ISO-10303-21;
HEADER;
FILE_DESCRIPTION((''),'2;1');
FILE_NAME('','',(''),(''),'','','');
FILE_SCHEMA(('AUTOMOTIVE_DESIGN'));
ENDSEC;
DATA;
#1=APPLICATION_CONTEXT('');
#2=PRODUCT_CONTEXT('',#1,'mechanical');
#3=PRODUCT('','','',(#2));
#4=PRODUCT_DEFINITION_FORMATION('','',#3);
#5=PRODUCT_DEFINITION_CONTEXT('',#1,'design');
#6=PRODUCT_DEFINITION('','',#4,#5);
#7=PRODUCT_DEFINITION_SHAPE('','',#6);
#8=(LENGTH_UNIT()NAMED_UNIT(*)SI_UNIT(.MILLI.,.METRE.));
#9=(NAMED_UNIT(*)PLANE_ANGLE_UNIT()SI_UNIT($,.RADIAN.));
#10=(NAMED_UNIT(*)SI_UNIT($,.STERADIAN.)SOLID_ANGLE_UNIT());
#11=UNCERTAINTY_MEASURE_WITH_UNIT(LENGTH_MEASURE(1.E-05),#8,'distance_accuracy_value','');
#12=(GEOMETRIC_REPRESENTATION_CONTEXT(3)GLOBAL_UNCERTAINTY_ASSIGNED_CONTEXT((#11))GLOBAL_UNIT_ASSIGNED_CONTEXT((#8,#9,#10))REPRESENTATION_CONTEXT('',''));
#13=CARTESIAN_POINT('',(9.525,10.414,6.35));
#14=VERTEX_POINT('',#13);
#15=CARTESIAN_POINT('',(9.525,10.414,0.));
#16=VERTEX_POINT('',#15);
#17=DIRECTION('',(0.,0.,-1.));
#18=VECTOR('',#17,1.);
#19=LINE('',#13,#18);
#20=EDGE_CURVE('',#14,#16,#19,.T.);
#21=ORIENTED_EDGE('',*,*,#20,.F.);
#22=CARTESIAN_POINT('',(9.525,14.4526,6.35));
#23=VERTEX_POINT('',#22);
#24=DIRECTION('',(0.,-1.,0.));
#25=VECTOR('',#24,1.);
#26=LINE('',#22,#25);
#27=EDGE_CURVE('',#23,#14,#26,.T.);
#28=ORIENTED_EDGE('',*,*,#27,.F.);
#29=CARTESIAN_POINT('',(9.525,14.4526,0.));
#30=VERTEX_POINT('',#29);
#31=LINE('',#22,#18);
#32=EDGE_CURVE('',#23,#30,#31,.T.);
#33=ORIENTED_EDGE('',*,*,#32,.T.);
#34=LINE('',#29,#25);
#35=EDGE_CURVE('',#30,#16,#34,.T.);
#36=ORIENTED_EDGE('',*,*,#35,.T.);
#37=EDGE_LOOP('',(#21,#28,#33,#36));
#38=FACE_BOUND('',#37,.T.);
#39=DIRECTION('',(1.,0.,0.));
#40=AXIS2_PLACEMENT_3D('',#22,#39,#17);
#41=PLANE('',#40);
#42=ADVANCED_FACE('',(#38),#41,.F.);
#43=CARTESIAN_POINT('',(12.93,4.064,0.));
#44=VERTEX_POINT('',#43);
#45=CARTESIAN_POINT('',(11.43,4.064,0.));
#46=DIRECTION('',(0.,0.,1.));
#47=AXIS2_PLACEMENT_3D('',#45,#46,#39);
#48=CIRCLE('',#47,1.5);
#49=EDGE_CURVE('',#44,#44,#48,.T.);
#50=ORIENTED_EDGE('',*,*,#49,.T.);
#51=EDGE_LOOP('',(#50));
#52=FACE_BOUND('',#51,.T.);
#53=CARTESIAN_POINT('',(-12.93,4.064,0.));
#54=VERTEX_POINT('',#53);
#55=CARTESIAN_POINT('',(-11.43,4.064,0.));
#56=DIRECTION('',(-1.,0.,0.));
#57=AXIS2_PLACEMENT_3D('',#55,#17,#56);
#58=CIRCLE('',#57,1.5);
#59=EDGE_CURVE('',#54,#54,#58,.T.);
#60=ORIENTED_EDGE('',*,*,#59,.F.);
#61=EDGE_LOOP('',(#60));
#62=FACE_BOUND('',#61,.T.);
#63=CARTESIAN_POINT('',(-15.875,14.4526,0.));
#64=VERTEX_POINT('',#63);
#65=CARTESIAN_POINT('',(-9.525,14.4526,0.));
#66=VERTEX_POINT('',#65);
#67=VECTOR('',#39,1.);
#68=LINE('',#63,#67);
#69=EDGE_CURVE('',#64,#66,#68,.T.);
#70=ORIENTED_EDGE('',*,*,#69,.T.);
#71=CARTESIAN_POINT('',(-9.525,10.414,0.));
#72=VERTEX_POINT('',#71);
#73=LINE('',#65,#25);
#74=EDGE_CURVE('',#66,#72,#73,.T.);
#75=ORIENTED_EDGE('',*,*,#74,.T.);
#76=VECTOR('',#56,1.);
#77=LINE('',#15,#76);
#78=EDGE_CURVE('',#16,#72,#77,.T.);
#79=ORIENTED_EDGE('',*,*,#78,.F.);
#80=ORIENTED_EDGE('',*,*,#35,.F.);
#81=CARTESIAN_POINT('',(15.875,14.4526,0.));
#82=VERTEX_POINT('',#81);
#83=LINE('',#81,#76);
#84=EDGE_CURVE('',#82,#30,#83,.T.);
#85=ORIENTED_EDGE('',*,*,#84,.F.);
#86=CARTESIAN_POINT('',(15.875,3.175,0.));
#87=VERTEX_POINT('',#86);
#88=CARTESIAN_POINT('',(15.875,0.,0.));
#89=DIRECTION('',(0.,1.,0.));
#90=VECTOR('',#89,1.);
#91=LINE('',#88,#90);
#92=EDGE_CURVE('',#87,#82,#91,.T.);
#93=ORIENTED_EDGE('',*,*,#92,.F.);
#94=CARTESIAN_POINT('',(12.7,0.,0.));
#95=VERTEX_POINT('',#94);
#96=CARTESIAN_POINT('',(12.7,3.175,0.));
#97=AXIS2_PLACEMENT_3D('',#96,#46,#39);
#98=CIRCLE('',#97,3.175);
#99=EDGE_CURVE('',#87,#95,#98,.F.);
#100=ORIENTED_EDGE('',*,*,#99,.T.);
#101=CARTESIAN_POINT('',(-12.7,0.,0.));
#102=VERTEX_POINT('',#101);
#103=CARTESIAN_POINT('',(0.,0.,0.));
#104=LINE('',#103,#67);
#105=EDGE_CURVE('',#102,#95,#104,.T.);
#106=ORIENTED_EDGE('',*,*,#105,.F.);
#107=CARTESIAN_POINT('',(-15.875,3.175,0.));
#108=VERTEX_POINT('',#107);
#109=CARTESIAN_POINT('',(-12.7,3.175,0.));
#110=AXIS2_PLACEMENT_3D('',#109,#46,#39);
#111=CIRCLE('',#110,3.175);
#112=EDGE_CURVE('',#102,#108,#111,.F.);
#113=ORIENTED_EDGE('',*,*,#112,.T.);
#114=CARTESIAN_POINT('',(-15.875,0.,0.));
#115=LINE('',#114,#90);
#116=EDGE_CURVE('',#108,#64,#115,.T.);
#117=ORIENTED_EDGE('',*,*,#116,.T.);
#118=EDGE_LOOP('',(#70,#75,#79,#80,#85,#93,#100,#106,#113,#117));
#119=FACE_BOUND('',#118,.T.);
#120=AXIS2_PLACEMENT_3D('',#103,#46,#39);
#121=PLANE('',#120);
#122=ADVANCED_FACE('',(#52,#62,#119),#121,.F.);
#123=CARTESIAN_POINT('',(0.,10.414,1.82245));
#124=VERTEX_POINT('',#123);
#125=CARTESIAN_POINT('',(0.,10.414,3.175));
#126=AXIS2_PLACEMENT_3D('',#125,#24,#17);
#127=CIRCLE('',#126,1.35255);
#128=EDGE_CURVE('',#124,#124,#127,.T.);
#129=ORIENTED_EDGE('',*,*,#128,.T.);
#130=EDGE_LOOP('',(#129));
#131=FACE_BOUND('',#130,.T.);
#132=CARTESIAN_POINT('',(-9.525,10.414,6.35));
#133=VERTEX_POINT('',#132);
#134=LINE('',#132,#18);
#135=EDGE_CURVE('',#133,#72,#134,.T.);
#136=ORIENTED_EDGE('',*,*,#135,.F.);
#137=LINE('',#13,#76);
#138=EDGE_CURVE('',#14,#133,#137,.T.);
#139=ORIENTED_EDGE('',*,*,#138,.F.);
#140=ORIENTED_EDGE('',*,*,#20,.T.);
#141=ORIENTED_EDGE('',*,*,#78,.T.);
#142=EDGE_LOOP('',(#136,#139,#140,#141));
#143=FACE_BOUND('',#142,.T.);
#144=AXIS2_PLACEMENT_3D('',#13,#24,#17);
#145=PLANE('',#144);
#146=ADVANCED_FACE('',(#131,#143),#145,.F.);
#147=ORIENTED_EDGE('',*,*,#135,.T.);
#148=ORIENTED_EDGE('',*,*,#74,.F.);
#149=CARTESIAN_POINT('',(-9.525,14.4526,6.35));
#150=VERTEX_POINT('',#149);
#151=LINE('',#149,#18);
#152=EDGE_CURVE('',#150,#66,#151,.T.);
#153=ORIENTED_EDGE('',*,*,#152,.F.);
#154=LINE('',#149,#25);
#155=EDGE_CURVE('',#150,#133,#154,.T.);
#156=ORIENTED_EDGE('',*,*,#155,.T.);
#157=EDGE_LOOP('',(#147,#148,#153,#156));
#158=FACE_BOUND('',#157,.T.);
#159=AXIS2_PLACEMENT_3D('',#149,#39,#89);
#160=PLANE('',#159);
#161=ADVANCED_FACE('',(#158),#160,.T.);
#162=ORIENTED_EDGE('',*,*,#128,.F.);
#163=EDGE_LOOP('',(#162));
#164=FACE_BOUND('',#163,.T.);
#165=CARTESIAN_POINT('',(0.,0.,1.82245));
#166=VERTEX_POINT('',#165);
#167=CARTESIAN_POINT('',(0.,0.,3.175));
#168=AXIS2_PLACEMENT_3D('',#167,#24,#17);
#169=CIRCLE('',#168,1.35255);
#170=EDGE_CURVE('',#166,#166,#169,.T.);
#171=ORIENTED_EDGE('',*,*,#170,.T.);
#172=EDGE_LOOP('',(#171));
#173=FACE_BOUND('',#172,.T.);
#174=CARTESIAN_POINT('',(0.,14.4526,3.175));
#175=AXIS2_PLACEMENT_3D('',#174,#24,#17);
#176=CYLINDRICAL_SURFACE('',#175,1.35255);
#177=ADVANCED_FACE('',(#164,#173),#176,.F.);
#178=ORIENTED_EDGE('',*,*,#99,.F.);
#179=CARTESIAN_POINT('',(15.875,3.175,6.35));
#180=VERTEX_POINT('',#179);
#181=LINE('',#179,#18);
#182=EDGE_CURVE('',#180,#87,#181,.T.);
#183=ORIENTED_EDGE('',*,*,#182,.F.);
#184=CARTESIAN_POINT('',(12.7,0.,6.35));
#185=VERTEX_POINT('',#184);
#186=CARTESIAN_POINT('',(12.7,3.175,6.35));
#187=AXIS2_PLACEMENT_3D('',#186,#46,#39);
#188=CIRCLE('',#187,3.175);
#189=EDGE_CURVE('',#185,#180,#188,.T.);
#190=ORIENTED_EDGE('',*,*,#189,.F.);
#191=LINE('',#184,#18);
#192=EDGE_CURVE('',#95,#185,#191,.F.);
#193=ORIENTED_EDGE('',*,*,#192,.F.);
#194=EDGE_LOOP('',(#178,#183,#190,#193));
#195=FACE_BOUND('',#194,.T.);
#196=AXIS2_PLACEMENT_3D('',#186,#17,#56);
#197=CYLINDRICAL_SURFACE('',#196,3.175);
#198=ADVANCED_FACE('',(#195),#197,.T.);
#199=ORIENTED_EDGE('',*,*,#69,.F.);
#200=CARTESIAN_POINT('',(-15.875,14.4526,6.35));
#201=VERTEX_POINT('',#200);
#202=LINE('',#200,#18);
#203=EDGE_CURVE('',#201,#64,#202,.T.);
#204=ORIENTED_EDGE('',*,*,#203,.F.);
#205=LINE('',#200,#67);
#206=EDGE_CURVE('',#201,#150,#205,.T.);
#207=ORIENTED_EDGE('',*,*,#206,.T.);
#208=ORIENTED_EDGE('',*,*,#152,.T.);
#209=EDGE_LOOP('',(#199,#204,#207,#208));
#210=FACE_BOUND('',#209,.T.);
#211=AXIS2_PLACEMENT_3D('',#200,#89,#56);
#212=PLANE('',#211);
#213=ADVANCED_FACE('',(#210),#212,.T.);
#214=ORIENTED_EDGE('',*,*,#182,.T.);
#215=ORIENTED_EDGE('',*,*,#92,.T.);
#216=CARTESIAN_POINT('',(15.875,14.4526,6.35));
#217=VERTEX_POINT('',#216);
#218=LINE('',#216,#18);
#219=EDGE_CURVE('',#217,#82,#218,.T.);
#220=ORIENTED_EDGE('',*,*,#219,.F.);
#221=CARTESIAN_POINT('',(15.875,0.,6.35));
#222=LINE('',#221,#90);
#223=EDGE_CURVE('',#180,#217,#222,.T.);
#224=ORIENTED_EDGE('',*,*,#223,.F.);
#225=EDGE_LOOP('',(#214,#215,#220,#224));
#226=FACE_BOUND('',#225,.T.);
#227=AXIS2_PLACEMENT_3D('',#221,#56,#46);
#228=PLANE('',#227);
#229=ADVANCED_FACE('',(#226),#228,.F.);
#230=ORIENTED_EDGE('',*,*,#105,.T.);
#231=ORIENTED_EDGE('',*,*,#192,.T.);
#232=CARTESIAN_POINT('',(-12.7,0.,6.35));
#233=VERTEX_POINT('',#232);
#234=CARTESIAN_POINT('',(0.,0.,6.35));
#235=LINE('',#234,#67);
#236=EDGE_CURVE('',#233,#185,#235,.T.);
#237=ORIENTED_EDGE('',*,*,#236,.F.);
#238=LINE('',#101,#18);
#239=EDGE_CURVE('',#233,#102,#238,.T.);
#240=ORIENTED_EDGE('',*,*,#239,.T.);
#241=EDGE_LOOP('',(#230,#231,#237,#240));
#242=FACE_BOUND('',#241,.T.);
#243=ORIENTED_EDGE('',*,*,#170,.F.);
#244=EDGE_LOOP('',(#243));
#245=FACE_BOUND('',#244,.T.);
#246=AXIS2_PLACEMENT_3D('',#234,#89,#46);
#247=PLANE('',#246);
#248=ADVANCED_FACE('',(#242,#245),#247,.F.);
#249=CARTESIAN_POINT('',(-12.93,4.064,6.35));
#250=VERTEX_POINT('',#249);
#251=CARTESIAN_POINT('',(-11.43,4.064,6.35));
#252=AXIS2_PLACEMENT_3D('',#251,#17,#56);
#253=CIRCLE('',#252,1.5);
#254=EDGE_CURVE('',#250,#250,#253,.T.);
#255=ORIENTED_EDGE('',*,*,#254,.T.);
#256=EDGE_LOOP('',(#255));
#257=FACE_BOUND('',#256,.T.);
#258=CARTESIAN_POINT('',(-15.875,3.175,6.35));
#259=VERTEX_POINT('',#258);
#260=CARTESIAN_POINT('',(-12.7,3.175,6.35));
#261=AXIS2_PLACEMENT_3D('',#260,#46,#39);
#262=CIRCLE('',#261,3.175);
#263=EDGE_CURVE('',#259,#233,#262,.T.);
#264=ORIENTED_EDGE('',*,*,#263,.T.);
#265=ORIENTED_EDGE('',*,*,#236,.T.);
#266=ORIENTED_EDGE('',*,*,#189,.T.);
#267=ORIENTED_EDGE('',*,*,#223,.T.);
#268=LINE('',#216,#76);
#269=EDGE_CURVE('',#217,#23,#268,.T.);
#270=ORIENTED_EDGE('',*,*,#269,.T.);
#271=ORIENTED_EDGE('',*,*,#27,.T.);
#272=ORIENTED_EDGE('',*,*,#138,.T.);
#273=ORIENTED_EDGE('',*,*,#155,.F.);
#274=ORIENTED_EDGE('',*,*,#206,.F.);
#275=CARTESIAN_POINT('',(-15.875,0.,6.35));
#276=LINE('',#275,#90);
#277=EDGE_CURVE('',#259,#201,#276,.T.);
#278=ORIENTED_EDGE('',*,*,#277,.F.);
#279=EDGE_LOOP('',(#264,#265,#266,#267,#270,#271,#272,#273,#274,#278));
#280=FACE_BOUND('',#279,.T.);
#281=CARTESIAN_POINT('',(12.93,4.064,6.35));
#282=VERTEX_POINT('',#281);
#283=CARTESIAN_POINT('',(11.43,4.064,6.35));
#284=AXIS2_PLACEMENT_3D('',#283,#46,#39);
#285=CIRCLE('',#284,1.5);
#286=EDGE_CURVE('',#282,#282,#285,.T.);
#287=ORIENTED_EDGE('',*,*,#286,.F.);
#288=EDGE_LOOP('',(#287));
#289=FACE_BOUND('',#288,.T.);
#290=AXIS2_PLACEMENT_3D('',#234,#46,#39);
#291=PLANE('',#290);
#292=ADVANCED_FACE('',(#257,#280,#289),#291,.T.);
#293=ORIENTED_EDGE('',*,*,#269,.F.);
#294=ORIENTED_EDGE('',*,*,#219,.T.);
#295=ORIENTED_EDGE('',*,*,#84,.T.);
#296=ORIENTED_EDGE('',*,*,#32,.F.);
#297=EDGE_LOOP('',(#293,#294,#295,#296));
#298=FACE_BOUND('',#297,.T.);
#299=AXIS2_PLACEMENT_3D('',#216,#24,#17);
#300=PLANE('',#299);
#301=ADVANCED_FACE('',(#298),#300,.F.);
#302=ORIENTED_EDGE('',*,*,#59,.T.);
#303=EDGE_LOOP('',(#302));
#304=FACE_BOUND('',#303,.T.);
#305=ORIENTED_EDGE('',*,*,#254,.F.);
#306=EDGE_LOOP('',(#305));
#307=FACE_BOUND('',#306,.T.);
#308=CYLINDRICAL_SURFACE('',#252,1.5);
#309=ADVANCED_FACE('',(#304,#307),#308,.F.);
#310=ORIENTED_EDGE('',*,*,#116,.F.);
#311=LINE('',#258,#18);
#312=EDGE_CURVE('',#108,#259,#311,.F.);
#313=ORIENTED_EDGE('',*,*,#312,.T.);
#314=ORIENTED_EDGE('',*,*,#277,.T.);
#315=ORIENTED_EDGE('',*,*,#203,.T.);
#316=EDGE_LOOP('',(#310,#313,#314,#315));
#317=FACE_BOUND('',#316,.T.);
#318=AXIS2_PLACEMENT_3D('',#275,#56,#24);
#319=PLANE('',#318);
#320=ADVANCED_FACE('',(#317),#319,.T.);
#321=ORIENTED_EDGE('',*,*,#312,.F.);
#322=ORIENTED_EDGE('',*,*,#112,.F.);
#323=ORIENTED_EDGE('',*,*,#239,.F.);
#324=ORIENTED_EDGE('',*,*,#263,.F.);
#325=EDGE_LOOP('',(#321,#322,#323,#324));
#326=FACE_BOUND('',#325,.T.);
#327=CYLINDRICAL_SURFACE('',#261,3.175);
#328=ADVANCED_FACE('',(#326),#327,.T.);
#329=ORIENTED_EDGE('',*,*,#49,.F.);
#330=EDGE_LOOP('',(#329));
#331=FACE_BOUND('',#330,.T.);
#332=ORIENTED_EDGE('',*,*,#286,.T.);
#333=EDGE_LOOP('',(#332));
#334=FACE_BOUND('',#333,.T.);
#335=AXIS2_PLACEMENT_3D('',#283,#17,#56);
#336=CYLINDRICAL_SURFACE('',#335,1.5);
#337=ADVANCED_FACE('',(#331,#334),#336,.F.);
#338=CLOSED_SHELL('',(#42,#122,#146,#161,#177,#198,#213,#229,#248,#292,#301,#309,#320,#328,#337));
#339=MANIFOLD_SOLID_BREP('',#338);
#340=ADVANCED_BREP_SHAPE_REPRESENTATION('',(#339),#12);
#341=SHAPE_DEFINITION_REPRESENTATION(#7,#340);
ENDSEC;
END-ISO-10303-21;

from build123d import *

# Parameters (mm, degrees)
SKETCH1_R           = 1.5
BOSS_EXTRUDE1_DEPTH = 6.35
SKETCH2_R           = 1.35255
CUT_EXTRUDE1_DEPTH  = 15.4526
FILLET1_R           = 3.175


with BuildPart() as part:
    # Sketch1 → Boss-Extrude1 (new body)
    with BuildSketch(Plane.XY):
        Polygon((0, 0), (15.875, 0), (15.875, 14.4526), (9.525, 14.4526), (9.525, 10.414), (0, 10.414), align=None)
        with Locations((11.43, 4.064)):
            Circle(SKETCH1_R, mode=Mode.SUBTRACT)
    boss_extrude1 = extrude(amount=BOSS_EXTRUDE1_DEPTH)

    # Mirror1: Boss-Extrude1 across plane
    add(boss_extrude1.mirror(Plane(origin=(0, 10.414, 6.35), x_dir=(0, 0, 1), z_dir=(1, 0, 0))))

    # Sketch2 → Cut-Extrude1 (cut, through all)
    with BuildSketch(Plane.XZ):
        with Locations((0, 3.175)):
            Circle(SKETCH2_R)
    extrude(amount=-CUT_EXTRUDE1_DEPTH, mode=Mode.SUBTRACT)

    # Fillet1
    fillet1_edges = [part.edges().sort_by_distance(p)[0] for p in [
        (15.875, 0, 3.175),
        (-15.875, 0, 3.175),
    ]]
    fillet(fillet1_edges, radius=FILLET1_R)


solid = part.part
